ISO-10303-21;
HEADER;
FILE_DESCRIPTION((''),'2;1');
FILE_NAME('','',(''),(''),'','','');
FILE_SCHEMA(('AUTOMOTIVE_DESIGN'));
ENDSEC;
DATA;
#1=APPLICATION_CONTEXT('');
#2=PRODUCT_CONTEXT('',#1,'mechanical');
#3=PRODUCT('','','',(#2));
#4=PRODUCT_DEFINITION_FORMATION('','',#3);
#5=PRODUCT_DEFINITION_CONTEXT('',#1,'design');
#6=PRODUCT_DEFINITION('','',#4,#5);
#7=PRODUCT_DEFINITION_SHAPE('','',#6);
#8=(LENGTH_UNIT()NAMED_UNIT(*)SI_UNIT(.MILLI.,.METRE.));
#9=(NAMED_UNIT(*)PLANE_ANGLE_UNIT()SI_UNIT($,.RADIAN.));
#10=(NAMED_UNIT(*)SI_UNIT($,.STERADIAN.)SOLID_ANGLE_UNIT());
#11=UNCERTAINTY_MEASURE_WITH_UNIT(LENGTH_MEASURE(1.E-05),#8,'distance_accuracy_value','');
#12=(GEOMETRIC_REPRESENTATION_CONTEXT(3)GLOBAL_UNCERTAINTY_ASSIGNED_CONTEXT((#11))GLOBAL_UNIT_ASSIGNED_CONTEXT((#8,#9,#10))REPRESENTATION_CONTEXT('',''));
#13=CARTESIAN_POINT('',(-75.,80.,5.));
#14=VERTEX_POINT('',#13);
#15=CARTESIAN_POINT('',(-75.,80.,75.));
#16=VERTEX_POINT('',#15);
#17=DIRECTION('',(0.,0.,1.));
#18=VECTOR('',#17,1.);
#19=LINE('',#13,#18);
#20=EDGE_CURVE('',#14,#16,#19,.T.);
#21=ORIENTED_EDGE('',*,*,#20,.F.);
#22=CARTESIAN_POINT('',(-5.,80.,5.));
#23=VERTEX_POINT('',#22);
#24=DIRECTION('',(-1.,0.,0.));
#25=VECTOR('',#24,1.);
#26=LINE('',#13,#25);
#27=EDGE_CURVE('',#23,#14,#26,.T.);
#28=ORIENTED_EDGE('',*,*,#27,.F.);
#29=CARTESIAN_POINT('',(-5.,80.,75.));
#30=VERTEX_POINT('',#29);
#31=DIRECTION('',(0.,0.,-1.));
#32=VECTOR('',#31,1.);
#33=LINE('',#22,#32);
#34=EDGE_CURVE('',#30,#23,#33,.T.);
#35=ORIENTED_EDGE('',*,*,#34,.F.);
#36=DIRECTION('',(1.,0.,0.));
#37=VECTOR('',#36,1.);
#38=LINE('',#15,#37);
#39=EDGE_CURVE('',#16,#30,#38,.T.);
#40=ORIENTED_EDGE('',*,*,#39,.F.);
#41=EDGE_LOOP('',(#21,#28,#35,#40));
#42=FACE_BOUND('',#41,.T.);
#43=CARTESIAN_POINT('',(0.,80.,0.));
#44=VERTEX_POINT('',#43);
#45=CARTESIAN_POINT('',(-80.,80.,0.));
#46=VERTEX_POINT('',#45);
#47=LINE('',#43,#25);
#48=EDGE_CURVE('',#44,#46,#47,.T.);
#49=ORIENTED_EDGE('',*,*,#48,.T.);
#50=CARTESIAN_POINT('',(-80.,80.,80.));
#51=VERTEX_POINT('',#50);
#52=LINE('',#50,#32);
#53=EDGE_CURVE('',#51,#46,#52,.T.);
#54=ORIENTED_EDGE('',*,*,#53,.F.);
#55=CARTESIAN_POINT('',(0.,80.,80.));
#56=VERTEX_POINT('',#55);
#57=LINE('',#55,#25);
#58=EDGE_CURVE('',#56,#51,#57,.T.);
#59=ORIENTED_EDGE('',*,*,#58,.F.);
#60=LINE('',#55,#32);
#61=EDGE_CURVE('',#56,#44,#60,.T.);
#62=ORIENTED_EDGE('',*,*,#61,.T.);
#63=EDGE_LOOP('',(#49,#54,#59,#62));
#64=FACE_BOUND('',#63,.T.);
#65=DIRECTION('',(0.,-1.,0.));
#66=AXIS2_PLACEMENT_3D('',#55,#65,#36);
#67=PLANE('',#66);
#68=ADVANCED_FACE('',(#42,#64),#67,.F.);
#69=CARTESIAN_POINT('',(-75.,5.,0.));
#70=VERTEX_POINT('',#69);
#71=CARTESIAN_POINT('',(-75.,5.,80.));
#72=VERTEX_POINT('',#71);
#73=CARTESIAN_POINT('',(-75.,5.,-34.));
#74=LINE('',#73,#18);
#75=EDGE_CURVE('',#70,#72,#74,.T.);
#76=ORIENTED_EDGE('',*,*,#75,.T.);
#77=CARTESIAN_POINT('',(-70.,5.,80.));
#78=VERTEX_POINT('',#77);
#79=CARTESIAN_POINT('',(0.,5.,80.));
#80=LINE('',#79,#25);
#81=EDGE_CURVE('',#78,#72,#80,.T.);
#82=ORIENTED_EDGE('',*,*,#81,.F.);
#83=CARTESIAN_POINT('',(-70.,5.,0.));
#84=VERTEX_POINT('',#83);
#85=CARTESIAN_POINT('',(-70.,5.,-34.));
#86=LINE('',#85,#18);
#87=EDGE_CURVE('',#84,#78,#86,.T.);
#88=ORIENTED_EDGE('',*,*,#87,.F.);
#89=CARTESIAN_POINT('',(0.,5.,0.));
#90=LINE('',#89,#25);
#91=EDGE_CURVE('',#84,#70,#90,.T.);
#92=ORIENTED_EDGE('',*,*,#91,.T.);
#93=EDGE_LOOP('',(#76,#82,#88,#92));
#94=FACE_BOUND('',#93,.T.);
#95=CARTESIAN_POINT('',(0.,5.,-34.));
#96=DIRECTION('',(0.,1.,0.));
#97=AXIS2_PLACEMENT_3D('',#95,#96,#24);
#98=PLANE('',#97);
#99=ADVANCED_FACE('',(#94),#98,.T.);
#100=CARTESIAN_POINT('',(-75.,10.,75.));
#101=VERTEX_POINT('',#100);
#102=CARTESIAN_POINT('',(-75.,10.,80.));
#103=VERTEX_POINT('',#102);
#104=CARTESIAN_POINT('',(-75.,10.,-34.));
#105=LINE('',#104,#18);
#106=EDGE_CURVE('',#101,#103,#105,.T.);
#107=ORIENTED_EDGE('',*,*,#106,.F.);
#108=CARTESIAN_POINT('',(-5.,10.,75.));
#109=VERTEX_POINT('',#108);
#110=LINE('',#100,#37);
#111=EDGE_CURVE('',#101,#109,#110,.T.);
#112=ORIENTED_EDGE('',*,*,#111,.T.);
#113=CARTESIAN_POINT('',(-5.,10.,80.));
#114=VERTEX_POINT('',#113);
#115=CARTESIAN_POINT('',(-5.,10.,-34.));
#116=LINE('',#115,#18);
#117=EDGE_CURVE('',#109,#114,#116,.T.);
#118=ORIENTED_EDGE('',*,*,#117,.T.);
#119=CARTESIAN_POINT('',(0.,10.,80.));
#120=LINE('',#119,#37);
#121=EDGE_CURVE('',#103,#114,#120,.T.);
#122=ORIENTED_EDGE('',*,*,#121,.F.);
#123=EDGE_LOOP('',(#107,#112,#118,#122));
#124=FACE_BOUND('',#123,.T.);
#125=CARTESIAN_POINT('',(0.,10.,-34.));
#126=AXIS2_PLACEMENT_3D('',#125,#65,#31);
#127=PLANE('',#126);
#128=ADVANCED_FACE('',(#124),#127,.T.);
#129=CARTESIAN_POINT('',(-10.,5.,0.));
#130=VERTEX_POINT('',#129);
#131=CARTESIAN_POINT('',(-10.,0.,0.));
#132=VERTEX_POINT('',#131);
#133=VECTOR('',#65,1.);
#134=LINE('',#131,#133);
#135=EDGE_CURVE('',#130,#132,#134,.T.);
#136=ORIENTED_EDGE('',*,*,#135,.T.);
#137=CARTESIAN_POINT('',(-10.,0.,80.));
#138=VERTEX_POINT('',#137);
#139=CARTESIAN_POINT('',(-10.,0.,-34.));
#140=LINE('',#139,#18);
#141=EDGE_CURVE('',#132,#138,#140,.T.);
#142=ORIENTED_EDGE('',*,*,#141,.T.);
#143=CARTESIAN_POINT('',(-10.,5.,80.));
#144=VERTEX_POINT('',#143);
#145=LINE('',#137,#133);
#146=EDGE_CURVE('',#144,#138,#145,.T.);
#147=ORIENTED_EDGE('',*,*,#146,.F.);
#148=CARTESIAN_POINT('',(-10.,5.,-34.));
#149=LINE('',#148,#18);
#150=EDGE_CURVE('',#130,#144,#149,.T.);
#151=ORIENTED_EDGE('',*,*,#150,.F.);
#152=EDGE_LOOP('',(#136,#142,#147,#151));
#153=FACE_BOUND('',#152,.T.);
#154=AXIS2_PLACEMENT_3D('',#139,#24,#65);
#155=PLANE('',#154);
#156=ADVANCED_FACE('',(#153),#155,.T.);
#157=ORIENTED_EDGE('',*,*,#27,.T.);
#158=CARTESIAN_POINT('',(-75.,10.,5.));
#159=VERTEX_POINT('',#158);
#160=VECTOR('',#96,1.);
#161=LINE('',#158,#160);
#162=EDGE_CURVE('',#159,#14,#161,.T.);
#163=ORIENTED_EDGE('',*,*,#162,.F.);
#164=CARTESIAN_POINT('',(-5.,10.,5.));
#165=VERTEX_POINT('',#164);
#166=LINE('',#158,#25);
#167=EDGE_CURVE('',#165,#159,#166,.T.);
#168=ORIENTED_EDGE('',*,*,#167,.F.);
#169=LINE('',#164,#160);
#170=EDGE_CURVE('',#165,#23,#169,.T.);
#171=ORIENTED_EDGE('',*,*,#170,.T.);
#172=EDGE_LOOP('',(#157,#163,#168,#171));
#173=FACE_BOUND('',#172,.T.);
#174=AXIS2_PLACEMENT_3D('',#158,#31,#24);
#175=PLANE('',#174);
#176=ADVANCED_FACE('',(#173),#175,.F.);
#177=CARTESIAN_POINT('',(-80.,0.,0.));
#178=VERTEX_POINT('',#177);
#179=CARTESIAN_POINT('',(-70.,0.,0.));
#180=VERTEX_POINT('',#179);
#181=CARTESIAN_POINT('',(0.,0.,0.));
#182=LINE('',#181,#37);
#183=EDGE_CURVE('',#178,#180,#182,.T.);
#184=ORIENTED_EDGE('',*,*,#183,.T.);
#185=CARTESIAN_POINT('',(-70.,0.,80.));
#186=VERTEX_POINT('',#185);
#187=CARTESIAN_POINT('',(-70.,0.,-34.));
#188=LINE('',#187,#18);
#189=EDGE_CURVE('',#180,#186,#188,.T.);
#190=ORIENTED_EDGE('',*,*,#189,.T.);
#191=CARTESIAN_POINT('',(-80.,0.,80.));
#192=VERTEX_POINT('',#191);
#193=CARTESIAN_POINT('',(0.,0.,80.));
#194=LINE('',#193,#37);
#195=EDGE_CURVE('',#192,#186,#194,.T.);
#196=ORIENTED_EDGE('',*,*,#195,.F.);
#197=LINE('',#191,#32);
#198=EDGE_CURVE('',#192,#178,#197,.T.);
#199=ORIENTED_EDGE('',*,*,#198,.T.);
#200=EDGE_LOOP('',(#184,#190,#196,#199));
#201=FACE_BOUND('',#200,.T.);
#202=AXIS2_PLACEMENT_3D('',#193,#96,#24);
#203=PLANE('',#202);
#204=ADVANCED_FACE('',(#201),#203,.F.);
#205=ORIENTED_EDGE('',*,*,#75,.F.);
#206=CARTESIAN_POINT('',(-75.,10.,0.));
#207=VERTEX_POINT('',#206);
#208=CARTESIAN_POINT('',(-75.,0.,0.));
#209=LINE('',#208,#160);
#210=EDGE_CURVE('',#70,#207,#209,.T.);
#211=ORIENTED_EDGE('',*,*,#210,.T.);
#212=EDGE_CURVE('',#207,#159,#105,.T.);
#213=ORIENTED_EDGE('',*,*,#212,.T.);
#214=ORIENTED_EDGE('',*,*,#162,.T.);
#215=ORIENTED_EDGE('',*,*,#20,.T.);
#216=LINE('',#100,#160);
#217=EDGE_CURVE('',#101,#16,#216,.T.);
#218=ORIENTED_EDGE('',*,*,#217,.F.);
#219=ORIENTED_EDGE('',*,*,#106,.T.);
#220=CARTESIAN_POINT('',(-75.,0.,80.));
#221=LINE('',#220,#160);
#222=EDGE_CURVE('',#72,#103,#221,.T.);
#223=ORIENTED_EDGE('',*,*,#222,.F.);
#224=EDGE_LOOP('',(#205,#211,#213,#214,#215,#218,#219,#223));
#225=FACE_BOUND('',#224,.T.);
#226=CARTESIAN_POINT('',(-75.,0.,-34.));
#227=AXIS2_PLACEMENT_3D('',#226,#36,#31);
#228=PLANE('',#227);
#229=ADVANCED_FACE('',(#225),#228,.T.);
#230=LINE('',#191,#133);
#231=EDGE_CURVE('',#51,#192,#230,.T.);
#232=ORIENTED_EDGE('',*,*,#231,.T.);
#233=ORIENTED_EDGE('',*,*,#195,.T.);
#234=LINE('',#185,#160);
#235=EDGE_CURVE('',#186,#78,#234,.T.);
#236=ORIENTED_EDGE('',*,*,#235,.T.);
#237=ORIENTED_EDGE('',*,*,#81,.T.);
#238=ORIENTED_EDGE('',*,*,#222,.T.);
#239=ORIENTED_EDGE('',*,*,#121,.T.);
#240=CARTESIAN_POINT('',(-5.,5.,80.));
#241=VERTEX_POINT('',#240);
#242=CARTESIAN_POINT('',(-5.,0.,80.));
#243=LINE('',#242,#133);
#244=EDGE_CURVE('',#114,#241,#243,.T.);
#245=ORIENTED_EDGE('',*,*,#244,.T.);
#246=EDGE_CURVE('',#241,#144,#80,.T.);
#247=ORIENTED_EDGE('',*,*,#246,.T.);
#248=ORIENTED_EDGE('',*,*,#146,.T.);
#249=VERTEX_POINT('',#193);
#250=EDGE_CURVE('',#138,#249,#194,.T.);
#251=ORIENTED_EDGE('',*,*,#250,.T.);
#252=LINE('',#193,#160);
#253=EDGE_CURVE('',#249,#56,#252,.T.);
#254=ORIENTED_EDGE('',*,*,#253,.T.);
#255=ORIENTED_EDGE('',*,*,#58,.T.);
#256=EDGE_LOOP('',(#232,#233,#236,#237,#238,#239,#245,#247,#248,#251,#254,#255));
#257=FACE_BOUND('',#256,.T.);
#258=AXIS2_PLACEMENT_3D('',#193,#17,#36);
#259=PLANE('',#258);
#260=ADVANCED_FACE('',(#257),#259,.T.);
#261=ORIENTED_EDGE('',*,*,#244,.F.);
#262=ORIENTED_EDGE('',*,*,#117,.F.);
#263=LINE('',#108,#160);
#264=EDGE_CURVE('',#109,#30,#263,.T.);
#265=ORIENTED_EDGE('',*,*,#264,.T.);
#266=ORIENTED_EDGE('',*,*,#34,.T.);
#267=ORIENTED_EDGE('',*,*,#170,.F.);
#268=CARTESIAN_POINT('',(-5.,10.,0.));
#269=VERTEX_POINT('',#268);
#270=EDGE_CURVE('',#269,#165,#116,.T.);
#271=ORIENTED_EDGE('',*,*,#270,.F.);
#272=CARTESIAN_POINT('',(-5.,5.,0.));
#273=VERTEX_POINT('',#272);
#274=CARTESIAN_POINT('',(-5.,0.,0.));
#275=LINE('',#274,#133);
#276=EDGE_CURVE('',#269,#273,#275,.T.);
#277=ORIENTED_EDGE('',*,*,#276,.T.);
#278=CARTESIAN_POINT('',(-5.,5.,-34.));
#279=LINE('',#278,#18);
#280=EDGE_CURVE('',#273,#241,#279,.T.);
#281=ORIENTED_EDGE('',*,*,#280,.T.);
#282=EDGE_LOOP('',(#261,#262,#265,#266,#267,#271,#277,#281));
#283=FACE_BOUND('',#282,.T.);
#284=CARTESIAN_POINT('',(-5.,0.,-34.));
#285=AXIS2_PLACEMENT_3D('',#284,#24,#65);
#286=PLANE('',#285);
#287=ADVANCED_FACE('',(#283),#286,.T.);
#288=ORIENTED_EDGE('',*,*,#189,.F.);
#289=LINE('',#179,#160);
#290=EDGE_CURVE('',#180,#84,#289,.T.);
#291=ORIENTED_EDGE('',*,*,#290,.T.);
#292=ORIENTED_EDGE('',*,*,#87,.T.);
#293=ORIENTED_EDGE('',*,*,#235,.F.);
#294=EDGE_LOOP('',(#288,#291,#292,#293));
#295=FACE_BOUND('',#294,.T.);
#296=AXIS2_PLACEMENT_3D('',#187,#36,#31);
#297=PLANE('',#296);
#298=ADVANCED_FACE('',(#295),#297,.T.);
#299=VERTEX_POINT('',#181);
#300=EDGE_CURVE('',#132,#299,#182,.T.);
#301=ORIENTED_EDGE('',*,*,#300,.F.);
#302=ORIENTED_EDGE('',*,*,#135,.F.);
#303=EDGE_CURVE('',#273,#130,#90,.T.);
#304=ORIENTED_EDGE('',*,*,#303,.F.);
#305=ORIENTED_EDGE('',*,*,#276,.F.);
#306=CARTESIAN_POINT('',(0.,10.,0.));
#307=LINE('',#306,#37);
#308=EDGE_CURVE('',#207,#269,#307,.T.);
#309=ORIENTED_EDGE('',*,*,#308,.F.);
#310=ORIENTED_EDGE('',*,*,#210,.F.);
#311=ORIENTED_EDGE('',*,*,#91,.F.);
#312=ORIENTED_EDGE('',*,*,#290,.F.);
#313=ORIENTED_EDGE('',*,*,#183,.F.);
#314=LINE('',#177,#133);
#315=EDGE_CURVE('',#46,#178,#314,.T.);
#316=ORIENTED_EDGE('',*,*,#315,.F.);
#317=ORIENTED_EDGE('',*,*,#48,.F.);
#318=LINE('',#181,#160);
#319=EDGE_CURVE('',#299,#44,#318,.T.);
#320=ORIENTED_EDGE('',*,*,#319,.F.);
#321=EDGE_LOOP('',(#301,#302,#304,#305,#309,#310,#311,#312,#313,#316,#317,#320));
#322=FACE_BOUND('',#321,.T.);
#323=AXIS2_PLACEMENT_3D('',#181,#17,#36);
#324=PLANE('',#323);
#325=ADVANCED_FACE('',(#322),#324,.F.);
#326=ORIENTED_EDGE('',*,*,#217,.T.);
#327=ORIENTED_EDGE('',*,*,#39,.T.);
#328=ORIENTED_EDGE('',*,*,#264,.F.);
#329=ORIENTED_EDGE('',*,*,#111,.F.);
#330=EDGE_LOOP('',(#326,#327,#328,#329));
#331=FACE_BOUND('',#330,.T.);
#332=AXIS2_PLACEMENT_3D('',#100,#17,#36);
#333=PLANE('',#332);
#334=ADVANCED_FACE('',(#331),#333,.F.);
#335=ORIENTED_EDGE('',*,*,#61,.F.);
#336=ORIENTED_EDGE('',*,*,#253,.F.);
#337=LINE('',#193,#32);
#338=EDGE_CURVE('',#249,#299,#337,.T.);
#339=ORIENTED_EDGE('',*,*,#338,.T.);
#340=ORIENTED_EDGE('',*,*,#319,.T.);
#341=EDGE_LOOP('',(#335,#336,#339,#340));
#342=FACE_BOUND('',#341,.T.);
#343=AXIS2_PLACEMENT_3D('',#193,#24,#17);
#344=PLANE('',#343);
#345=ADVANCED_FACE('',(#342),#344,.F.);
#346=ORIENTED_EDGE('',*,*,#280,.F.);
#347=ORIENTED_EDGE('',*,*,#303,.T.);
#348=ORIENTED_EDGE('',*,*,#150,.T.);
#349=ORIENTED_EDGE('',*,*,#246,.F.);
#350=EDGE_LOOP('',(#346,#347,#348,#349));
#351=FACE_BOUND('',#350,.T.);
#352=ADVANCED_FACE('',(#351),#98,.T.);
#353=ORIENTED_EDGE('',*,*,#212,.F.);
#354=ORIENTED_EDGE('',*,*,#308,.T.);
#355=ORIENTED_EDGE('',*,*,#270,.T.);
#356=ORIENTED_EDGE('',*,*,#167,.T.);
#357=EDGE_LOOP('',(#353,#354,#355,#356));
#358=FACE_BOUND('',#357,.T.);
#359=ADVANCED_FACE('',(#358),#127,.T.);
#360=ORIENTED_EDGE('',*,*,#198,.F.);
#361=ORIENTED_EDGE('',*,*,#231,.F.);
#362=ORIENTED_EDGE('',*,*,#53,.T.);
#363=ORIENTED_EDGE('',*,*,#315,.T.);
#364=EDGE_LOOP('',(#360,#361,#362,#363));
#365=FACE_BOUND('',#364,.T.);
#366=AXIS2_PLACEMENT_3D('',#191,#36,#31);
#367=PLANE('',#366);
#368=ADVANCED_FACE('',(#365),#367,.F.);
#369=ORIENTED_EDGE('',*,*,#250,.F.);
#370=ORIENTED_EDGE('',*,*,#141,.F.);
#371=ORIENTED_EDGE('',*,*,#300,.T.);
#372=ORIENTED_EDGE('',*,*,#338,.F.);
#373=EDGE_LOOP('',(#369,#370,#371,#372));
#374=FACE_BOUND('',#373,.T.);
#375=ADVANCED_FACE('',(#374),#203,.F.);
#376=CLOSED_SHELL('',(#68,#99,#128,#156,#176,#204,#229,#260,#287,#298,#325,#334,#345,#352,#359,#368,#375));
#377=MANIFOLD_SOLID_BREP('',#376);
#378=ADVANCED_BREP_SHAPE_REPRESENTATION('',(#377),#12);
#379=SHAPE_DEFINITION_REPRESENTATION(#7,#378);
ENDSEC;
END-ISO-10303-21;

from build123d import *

# Parameters (mm, degrees)
SKETCH1_W           = 80
SKETCH1_H           = 80
BOSS_EXTRUDE1_DEPTH = 80
CUT_EXTRUDE1_DEPTH  = 114
SKETCH3_W           = 70
SKETCH3_H           = 70
CUT_EXTRUDE3_DEPTH  = 70


with BuildPart() as part:
    # Sketch1 → Boss-Extrude1 (new body)
    with BuildSketch(Plane.XY):
        with Locations((-40, 40)):
            Rectangle(SKETCH1_W, SKETCH1_H)
    extrude(amount=BOSS_EXTRUDE1_DEPTH)

    # Sketch2 → Cut-Extrude1 (cut)
    with BuildSketch(Plane.XY.offset(80)):
        Polygon((-70, 5), (-70, 0), (-10, 0), (-10, 5), (-5, 5), (-5, 10), (-75, 10), (-75, 5), align=None)
    extrude(amount=-CUT_EXTRUDE1_DEPTH, mode=Mode.SUBTRACT)

    # Sketch3 → Cut-Extrude3 (cut)
    with BuildSketch(Plane(origin=(0, 80, 0), x_dir=(1, 0, 0), z_dir=(0, 1, 0))):
        with Locations((-40, -40)):
            Rectangle(SKETCH3_W, SKETCH3_H)
    extrude(amount=-CUT_EXTRUDE3_DEPTH, mode=Mode.SUBTRACT)


solid = part.part
